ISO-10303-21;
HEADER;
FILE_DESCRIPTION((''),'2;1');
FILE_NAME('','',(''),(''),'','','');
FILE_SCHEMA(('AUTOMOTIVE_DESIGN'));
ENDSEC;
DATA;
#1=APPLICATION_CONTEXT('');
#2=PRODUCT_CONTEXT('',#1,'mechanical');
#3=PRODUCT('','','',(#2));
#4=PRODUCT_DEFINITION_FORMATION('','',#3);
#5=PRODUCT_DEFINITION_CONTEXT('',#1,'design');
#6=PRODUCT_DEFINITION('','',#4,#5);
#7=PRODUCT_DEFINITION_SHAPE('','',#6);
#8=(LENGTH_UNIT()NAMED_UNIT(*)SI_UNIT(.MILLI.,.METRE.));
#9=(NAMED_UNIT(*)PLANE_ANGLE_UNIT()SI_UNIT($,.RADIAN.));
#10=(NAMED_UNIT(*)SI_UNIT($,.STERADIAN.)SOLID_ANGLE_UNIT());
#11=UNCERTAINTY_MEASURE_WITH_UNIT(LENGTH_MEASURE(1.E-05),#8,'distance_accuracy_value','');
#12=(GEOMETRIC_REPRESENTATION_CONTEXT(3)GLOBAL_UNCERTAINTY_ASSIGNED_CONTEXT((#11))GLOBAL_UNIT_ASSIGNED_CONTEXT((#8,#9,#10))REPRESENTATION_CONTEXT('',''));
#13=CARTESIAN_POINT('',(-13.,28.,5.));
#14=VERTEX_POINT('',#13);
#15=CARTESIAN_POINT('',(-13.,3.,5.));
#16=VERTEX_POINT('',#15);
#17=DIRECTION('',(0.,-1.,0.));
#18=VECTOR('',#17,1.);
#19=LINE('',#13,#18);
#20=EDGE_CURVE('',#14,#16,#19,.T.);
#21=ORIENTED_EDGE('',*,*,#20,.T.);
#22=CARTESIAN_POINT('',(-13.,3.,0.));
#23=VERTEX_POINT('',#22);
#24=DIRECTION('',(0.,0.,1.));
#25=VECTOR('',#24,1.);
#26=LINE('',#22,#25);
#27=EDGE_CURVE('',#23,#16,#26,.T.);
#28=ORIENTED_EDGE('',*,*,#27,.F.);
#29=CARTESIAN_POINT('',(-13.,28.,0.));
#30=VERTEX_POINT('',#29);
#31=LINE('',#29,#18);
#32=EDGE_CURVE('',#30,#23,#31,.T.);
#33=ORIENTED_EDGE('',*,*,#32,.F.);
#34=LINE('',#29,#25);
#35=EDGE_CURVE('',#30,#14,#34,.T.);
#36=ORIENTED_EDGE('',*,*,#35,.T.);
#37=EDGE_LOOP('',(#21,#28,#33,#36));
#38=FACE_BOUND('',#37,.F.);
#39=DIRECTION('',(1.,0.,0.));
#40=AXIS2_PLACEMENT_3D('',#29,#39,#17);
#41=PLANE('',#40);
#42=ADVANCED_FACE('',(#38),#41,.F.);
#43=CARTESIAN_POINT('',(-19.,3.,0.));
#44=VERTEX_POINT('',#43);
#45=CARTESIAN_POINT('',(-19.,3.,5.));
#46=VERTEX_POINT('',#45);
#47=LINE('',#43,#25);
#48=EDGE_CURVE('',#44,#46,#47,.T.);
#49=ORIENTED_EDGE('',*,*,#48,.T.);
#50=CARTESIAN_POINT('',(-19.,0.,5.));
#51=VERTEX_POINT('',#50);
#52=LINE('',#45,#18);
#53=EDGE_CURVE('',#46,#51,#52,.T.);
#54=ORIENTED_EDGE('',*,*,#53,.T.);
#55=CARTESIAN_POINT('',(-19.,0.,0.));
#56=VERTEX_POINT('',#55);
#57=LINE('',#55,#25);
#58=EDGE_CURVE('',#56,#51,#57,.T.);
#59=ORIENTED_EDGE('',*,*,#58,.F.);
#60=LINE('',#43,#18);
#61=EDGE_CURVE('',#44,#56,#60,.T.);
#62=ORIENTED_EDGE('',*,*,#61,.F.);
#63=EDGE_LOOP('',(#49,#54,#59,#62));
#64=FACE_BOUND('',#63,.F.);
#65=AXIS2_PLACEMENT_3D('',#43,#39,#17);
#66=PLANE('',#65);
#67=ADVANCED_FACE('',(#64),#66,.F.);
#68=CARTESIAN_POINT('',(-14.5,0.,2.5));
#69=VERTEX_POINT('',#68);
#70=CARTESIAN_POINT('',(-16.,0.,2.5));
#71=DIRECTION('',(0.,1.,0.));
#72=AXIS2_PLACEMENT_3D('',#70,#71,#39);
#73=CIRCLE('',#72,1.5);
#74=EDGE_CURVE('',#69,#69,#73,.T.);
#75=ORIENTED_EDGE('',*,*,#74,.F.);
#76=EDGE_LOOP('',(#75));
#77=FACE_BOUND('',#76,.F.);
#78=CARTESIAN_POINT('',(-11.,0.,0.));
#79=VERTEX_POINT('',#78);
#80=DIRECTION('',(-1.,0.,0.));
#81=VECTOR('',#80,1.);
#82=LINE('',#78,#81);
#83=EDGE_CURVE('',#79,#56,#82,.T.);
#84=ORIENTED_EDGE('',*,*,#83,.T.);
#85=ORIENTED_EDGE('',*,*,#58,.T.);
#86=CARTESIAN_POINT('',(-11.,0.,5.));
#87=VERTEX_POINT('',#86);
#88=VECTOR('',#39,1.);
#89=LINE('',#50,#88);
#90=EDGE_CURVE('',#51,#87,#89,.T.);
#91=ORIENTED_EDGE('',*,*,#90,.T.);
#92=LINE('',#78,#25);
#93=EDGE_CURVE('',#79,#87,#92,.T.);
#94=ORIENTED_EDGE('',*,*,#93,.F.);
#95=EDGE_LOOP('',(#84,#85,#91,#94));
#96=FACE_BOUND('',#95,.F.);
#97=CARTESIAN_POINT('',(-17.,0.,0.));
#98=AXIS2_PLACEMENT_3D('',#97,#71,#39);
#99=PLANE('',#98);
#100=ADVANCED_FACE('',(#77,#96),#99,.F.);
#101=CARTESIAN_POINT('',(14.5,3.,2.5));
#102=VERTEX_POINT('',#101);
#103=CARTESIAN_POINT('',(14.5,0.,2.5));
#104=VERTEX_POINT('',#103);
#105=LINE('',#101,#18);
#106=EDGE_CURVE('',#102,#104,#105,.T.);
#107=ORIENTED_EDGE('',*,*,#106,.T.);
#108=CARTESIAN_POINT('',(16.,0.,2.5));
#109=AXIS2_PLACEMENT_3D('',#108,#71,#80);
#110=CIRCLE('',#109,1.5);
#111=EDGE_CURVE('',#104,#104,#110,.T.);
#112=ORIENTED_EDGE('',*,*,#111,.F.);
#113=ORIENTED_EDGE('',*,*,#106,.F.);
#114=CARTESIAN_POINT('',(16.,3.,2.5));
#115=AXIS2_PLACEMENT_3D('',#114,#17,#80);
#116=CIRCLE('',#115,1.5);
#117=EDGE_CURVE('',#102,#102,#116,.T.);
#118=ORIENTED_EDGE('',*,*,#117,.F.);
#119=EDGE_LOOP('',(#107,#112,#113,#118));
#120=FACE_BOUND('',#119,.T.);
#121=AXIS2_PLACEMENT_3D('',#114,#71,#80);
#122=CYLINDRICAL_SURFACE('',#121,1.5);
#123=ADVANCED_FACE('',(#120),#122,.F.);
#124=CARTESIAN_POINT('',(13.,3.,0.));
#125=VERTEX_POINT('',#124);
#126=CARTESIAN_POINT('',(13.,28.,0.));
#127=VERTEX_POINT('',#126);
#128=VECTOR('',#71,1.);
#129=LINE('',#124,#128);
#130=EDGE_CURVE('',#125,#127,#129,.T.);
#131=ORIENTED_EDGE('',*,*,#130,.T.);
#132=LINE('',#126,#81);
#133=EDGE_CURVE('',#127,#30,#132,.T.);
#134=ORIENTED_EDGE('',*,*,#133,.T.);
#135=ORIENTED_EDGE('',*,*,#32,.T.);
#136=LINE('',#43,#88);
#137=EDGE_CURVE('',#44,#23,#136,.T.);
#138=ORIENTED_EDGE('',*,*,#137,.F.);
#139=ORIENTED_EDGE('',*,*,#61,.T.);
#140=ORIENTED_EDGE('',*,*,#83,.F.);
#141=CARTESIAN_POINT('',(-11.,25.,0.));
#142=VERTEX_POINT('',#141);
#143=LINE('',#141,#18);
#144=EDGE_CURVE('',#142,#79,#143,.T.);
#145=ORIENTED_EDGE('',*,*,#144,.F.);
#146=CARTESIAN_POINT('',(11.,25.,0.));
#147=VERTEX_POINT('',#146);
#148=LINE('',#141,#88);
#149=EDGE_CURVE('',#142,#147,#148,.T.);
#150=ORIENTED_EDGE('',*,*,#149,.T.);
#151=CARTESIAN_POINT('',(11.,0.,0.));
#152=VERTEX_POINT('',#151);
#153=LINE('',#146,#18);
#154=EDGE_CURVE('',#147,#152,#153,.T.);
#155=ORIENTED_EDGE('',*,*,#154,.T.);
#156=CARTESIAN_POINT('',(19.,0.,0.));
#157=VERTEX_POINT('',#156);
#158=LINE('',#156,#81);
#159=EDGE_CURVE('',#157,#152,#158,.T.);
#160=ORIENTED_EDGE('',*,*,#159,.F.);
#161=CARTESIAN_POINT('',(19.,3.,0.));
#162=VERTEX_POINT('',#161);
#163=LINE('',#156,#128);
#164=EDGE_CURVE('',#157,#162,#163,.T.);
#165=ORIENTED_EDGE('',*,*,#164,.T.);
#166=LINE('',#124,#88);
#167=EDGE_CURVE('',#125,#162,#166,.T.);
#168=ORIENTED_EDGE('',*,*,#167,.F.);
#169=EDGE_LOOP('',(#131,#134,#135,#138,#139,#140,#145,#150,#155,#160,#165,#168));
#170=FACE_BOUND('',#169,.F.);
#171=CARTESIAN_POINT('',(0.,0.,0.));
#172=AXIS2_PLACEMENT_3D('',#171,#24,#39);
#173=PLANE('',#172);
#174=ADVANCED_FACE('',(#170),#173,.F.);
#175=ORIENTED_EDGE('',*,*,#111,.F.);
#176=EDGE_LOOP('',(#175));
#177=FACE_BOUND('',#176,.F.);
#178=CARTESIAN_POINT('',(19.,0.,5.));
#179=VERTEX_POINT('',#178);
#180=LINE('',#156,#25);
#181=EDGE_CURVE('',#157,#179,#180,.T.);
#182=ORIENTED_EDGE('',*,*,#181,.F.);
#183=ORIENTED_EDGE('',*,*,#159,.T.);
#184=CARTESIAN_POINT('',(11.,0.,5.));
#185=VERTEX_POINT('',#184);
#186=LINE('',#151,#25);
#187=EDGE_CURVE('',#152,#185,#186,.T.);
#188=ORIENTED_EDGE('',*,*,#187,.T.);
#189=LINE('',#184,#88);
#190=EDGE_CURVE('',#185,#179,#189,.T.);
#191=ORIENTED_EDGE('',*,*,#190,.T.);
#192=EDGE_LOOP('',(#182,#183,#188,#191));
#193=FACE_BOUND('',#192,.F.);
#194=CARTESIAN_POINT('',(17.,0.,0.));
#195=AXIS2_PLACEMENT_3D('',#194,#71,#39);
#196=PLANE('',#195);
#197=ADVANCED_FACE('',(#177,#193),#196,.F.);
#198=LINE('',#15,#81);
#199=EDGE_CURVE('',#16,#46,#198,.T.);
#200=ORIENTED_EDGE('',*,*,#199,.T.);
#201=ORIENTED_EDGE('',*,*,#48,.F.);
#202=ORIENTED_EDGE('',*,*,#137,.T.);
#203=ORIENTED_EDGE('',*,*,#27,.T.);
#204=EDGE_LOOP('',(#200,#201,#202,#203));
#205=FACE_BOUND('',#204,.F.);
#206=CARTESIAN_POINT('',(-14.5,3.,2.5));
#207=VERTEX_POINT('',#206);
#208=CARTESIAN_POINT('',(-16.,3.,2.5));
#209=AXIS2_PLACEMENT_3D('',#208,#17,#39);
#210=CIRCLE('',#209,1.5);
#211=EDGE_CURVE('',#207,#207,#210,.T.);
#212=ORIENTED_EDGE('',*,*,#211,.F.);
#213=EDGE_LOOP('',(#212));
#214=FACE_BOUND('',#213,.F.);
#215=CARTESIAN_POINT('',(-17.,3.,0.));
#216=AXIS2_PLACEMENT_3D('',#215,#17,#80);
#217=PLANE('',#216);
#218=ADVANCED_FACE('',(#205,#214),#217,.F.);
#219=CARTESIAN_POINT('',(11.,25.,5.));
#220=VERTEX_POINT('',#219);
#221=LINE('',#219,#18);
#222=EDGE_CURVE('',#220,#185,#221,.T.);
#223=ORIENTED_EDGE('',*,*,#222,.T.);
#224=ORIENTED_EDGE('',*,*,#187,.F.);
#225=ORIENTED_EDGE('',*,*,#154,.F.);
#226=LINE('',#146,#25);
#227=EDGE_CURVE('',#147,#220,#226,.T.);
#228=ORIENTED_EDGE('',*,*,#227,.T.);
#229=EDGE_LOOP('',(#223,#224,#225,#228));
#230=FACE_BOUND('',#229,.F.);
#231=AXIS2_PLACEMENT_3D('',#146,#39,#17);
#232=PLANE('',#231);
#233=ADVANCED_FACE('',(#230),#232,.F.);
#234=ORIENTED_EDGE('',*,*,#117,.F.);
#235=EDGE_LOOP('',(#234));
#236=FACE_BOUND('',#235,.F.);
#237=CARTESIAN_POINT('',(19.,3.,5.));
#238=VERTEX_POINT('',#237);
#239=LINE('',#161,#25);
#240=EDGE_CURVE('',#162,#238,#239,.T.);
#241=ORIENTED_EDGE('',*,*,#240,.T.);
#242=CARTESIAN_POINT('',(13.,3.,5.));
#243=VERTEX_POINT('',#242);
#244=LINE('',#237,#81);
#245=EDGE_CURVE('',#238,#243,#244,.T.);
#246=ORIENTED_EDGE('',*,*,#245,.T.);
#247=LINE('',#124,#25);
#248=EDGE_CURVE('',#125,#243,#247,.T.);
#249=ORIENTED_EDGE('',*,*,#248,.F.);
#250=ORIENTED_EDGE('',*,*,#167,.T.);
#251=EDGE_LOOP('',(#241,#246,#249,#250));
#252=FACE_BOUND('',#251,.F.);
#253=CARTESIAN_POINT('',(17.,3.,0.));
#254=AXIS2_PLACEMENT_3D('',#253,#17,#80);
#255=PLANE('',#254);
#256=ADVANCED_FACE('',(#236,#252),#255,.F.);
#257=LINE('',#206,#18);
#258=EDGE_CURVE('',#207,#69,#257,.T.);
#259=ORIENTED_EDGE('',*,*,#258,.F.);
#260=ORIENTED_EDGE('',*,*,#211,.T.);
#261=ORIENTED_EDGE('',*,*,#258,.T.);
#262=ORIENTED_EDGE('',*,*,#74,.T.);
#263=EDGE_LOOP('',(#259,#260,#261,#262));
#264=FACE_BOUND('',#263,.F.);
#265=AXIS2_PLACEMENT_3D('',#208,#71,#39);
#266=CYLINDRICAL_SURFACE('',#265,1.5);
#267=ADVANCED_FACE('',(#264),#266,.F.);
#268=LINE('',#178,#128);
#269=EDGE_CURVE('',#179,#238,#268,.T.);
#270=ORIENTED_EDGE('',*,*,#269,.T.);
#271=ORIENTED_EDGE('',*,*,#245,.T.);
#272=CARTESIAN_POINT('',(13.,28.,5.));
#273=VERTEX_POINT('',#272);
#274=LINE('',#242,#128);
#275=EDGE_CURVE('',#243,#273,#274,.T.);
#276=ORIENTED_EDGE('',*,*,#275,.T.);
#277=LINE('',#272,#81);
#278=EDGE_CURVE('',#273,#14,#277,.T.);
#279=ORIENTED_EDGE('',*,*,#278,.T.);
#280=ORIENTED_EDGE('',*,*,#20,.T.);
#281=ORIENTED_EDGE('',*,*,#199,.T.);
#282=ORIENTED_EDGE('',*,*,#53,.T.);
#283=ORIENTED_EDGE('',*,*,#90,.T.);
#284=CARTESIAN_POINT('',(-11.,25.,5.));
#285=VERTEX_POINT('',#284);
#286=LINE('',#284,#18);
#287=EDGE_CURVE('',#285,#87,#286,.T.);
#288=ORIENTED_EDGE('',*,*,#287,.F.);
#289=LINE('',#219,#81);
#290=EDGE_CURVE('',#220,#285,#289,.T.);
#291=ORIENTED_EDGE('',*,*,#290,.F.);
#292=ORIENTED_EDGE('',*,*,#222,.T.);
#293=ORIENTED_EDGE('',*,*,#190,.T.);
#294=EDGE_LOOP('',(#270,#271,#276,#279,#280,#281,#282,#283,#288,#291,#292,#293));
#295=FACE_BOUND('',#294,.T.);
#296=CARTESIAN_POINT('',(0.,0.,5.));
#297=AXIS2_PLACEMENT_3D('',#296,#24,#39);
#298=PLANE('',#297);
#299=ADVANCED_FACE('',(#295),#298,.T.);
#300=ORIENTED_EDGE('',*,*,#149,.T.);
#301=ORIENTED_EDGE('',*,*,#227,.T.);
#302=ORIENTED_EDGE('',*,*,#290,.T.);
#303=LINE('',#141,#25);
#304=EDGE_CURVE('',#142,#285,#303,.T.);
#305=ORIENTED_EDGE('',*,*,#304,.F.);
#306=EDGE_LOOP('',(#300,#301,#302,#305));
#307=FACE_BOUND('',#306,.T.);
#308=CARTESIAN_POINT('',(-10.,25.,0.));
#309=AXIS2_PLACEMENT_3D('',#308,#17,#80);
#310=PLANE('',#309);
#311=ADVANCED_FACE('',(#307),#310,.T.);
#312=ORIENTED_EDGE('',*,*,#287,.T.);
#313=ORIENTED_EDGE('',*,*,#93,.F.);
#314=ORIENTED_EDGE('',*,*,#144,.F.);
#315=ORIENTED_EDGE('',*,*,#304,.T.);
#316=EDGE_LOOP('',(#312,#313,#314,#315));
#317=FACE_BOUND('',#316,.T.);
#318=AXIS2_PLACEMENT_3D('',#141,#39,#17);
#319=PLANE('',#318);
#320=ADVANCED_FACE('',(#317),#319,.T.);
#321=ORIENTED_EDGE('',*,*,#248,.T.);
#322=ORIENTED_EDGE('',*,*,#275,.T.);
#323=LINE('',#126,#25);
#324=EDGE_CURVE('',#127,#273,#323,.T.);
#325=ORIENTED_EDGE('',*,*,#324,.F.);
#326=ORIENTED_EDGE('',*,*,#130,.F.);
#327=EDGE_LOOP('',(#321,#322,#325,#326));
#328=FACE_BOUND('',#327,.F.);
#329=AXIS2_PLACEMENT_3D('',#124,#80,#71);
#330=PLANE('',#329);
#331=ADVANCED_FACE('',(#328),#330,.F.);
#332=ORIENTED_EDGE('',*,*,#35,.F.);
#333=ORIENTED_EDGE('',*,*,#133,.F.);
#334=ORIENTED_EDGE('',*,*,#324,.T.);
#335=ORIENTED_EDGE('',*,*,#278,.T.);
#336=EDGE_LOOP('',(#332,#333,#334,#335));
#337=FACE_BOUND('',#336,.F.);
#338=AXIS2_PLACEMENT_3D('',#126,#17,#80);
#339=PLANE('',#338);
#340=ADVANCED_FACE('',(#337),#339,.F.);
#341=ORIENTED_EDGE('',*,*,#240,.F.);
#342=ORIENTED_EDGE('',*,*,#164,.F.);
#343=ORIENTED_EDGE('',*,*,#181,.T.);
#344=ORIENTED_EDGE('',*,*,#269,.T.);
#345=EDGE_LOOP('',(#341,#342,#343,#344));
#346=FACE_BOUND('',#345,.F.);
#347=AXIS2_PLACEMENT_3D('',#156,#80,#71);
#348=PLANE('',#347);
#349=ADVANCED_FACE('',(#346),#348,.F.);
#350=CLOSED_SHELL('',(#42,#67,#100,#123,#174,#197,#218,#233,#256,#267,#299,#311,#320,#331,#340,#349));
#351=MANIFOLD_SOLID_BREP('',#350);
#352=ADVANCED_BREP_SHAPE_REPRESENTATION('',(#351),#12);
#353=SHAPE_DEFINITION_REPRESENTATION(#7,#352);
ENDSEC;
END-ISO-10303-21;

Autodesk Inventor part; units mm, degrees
ref_plane "YZ Plane" through (0, 0, 0) normal (1, 0, 0) x (0, 1, 0)
ref_plane "XZ Plane" through (0, 0, 0) normal (0, 1, 0) x (-1, 0, 0)
ref_plane "XY Plane" through (0, 0, 0) normal (0, 0, 1) x (1, 0, 0)
sketch "Sketch1" plane through (0, 0, 0) normal (0, 0, 1) x (1, 0, 0)
  line L0 (-10, 25) -> (10, 25)
  line L1 (13, 28) -> (-13, 28)
  line L2 (-13, 28) -> (-13, 3)
  line L3 (13, 3) -> (13, 28)
  line L4 (11, 0) -> (17, 0)
  line L5 (17, 3) -> (13, 3)
  line L6 (-13, 3) -> (-17, 3)
  line L7 (-17, 0) -> (-11, 0)
  line L8 (-17, 3) -> (-19, 3)
  line L9 (-19, 3) -> (-19, 0)
  line L10 (-19, 0) -> (-17, 0)
  line L11 (17, 0) -> (19, 0)
  line L12 (19, 0) -> (19, 3)
  line L13 (17, 3) -> (19, 3)
  line L14 (-10, 25) -> (-11, 25)
  line L15 (-11, 25) -> (-11, 0)
  line L16 (10, 25) -> (11, 25)
  line L17 (11, 25) -> (11, 0)
  point P0 (0, 0)
  dimension "d0" = 20
  dimension "d2" = 3
  dimension "d12" = 3
  dimension "d17" = 1
extrude "Extrusion1" add sketch "Sketch1" along normal blind 5
sketch "Sketch2" plane through (-19, 3, 0) normal (0, 1, 0) x (1, 0, 0)
  circle A0 centre (3, -2.5) radius 1.5
  point P0 (19, 0)
  dimension "d13" = 3
extrude "Extrusion2" cut sketch "Sketch2" against normal up to next
sketch "Sketch3" plane through (-13, 28, 0) normal (0, 1, 0) x (1, 0, 0)
  point P0 (13, 0)
mirror "Mirror1" about plane through (0, 0, 0) normal (1, 0, 0) of "Extrusion2"
sketch "Sketch4" plane through (-19, 0, 0) normal (0, -1, 0) x (1, 0, 0)
  point P0 (19, 0)
properties part number "servo shaft"
